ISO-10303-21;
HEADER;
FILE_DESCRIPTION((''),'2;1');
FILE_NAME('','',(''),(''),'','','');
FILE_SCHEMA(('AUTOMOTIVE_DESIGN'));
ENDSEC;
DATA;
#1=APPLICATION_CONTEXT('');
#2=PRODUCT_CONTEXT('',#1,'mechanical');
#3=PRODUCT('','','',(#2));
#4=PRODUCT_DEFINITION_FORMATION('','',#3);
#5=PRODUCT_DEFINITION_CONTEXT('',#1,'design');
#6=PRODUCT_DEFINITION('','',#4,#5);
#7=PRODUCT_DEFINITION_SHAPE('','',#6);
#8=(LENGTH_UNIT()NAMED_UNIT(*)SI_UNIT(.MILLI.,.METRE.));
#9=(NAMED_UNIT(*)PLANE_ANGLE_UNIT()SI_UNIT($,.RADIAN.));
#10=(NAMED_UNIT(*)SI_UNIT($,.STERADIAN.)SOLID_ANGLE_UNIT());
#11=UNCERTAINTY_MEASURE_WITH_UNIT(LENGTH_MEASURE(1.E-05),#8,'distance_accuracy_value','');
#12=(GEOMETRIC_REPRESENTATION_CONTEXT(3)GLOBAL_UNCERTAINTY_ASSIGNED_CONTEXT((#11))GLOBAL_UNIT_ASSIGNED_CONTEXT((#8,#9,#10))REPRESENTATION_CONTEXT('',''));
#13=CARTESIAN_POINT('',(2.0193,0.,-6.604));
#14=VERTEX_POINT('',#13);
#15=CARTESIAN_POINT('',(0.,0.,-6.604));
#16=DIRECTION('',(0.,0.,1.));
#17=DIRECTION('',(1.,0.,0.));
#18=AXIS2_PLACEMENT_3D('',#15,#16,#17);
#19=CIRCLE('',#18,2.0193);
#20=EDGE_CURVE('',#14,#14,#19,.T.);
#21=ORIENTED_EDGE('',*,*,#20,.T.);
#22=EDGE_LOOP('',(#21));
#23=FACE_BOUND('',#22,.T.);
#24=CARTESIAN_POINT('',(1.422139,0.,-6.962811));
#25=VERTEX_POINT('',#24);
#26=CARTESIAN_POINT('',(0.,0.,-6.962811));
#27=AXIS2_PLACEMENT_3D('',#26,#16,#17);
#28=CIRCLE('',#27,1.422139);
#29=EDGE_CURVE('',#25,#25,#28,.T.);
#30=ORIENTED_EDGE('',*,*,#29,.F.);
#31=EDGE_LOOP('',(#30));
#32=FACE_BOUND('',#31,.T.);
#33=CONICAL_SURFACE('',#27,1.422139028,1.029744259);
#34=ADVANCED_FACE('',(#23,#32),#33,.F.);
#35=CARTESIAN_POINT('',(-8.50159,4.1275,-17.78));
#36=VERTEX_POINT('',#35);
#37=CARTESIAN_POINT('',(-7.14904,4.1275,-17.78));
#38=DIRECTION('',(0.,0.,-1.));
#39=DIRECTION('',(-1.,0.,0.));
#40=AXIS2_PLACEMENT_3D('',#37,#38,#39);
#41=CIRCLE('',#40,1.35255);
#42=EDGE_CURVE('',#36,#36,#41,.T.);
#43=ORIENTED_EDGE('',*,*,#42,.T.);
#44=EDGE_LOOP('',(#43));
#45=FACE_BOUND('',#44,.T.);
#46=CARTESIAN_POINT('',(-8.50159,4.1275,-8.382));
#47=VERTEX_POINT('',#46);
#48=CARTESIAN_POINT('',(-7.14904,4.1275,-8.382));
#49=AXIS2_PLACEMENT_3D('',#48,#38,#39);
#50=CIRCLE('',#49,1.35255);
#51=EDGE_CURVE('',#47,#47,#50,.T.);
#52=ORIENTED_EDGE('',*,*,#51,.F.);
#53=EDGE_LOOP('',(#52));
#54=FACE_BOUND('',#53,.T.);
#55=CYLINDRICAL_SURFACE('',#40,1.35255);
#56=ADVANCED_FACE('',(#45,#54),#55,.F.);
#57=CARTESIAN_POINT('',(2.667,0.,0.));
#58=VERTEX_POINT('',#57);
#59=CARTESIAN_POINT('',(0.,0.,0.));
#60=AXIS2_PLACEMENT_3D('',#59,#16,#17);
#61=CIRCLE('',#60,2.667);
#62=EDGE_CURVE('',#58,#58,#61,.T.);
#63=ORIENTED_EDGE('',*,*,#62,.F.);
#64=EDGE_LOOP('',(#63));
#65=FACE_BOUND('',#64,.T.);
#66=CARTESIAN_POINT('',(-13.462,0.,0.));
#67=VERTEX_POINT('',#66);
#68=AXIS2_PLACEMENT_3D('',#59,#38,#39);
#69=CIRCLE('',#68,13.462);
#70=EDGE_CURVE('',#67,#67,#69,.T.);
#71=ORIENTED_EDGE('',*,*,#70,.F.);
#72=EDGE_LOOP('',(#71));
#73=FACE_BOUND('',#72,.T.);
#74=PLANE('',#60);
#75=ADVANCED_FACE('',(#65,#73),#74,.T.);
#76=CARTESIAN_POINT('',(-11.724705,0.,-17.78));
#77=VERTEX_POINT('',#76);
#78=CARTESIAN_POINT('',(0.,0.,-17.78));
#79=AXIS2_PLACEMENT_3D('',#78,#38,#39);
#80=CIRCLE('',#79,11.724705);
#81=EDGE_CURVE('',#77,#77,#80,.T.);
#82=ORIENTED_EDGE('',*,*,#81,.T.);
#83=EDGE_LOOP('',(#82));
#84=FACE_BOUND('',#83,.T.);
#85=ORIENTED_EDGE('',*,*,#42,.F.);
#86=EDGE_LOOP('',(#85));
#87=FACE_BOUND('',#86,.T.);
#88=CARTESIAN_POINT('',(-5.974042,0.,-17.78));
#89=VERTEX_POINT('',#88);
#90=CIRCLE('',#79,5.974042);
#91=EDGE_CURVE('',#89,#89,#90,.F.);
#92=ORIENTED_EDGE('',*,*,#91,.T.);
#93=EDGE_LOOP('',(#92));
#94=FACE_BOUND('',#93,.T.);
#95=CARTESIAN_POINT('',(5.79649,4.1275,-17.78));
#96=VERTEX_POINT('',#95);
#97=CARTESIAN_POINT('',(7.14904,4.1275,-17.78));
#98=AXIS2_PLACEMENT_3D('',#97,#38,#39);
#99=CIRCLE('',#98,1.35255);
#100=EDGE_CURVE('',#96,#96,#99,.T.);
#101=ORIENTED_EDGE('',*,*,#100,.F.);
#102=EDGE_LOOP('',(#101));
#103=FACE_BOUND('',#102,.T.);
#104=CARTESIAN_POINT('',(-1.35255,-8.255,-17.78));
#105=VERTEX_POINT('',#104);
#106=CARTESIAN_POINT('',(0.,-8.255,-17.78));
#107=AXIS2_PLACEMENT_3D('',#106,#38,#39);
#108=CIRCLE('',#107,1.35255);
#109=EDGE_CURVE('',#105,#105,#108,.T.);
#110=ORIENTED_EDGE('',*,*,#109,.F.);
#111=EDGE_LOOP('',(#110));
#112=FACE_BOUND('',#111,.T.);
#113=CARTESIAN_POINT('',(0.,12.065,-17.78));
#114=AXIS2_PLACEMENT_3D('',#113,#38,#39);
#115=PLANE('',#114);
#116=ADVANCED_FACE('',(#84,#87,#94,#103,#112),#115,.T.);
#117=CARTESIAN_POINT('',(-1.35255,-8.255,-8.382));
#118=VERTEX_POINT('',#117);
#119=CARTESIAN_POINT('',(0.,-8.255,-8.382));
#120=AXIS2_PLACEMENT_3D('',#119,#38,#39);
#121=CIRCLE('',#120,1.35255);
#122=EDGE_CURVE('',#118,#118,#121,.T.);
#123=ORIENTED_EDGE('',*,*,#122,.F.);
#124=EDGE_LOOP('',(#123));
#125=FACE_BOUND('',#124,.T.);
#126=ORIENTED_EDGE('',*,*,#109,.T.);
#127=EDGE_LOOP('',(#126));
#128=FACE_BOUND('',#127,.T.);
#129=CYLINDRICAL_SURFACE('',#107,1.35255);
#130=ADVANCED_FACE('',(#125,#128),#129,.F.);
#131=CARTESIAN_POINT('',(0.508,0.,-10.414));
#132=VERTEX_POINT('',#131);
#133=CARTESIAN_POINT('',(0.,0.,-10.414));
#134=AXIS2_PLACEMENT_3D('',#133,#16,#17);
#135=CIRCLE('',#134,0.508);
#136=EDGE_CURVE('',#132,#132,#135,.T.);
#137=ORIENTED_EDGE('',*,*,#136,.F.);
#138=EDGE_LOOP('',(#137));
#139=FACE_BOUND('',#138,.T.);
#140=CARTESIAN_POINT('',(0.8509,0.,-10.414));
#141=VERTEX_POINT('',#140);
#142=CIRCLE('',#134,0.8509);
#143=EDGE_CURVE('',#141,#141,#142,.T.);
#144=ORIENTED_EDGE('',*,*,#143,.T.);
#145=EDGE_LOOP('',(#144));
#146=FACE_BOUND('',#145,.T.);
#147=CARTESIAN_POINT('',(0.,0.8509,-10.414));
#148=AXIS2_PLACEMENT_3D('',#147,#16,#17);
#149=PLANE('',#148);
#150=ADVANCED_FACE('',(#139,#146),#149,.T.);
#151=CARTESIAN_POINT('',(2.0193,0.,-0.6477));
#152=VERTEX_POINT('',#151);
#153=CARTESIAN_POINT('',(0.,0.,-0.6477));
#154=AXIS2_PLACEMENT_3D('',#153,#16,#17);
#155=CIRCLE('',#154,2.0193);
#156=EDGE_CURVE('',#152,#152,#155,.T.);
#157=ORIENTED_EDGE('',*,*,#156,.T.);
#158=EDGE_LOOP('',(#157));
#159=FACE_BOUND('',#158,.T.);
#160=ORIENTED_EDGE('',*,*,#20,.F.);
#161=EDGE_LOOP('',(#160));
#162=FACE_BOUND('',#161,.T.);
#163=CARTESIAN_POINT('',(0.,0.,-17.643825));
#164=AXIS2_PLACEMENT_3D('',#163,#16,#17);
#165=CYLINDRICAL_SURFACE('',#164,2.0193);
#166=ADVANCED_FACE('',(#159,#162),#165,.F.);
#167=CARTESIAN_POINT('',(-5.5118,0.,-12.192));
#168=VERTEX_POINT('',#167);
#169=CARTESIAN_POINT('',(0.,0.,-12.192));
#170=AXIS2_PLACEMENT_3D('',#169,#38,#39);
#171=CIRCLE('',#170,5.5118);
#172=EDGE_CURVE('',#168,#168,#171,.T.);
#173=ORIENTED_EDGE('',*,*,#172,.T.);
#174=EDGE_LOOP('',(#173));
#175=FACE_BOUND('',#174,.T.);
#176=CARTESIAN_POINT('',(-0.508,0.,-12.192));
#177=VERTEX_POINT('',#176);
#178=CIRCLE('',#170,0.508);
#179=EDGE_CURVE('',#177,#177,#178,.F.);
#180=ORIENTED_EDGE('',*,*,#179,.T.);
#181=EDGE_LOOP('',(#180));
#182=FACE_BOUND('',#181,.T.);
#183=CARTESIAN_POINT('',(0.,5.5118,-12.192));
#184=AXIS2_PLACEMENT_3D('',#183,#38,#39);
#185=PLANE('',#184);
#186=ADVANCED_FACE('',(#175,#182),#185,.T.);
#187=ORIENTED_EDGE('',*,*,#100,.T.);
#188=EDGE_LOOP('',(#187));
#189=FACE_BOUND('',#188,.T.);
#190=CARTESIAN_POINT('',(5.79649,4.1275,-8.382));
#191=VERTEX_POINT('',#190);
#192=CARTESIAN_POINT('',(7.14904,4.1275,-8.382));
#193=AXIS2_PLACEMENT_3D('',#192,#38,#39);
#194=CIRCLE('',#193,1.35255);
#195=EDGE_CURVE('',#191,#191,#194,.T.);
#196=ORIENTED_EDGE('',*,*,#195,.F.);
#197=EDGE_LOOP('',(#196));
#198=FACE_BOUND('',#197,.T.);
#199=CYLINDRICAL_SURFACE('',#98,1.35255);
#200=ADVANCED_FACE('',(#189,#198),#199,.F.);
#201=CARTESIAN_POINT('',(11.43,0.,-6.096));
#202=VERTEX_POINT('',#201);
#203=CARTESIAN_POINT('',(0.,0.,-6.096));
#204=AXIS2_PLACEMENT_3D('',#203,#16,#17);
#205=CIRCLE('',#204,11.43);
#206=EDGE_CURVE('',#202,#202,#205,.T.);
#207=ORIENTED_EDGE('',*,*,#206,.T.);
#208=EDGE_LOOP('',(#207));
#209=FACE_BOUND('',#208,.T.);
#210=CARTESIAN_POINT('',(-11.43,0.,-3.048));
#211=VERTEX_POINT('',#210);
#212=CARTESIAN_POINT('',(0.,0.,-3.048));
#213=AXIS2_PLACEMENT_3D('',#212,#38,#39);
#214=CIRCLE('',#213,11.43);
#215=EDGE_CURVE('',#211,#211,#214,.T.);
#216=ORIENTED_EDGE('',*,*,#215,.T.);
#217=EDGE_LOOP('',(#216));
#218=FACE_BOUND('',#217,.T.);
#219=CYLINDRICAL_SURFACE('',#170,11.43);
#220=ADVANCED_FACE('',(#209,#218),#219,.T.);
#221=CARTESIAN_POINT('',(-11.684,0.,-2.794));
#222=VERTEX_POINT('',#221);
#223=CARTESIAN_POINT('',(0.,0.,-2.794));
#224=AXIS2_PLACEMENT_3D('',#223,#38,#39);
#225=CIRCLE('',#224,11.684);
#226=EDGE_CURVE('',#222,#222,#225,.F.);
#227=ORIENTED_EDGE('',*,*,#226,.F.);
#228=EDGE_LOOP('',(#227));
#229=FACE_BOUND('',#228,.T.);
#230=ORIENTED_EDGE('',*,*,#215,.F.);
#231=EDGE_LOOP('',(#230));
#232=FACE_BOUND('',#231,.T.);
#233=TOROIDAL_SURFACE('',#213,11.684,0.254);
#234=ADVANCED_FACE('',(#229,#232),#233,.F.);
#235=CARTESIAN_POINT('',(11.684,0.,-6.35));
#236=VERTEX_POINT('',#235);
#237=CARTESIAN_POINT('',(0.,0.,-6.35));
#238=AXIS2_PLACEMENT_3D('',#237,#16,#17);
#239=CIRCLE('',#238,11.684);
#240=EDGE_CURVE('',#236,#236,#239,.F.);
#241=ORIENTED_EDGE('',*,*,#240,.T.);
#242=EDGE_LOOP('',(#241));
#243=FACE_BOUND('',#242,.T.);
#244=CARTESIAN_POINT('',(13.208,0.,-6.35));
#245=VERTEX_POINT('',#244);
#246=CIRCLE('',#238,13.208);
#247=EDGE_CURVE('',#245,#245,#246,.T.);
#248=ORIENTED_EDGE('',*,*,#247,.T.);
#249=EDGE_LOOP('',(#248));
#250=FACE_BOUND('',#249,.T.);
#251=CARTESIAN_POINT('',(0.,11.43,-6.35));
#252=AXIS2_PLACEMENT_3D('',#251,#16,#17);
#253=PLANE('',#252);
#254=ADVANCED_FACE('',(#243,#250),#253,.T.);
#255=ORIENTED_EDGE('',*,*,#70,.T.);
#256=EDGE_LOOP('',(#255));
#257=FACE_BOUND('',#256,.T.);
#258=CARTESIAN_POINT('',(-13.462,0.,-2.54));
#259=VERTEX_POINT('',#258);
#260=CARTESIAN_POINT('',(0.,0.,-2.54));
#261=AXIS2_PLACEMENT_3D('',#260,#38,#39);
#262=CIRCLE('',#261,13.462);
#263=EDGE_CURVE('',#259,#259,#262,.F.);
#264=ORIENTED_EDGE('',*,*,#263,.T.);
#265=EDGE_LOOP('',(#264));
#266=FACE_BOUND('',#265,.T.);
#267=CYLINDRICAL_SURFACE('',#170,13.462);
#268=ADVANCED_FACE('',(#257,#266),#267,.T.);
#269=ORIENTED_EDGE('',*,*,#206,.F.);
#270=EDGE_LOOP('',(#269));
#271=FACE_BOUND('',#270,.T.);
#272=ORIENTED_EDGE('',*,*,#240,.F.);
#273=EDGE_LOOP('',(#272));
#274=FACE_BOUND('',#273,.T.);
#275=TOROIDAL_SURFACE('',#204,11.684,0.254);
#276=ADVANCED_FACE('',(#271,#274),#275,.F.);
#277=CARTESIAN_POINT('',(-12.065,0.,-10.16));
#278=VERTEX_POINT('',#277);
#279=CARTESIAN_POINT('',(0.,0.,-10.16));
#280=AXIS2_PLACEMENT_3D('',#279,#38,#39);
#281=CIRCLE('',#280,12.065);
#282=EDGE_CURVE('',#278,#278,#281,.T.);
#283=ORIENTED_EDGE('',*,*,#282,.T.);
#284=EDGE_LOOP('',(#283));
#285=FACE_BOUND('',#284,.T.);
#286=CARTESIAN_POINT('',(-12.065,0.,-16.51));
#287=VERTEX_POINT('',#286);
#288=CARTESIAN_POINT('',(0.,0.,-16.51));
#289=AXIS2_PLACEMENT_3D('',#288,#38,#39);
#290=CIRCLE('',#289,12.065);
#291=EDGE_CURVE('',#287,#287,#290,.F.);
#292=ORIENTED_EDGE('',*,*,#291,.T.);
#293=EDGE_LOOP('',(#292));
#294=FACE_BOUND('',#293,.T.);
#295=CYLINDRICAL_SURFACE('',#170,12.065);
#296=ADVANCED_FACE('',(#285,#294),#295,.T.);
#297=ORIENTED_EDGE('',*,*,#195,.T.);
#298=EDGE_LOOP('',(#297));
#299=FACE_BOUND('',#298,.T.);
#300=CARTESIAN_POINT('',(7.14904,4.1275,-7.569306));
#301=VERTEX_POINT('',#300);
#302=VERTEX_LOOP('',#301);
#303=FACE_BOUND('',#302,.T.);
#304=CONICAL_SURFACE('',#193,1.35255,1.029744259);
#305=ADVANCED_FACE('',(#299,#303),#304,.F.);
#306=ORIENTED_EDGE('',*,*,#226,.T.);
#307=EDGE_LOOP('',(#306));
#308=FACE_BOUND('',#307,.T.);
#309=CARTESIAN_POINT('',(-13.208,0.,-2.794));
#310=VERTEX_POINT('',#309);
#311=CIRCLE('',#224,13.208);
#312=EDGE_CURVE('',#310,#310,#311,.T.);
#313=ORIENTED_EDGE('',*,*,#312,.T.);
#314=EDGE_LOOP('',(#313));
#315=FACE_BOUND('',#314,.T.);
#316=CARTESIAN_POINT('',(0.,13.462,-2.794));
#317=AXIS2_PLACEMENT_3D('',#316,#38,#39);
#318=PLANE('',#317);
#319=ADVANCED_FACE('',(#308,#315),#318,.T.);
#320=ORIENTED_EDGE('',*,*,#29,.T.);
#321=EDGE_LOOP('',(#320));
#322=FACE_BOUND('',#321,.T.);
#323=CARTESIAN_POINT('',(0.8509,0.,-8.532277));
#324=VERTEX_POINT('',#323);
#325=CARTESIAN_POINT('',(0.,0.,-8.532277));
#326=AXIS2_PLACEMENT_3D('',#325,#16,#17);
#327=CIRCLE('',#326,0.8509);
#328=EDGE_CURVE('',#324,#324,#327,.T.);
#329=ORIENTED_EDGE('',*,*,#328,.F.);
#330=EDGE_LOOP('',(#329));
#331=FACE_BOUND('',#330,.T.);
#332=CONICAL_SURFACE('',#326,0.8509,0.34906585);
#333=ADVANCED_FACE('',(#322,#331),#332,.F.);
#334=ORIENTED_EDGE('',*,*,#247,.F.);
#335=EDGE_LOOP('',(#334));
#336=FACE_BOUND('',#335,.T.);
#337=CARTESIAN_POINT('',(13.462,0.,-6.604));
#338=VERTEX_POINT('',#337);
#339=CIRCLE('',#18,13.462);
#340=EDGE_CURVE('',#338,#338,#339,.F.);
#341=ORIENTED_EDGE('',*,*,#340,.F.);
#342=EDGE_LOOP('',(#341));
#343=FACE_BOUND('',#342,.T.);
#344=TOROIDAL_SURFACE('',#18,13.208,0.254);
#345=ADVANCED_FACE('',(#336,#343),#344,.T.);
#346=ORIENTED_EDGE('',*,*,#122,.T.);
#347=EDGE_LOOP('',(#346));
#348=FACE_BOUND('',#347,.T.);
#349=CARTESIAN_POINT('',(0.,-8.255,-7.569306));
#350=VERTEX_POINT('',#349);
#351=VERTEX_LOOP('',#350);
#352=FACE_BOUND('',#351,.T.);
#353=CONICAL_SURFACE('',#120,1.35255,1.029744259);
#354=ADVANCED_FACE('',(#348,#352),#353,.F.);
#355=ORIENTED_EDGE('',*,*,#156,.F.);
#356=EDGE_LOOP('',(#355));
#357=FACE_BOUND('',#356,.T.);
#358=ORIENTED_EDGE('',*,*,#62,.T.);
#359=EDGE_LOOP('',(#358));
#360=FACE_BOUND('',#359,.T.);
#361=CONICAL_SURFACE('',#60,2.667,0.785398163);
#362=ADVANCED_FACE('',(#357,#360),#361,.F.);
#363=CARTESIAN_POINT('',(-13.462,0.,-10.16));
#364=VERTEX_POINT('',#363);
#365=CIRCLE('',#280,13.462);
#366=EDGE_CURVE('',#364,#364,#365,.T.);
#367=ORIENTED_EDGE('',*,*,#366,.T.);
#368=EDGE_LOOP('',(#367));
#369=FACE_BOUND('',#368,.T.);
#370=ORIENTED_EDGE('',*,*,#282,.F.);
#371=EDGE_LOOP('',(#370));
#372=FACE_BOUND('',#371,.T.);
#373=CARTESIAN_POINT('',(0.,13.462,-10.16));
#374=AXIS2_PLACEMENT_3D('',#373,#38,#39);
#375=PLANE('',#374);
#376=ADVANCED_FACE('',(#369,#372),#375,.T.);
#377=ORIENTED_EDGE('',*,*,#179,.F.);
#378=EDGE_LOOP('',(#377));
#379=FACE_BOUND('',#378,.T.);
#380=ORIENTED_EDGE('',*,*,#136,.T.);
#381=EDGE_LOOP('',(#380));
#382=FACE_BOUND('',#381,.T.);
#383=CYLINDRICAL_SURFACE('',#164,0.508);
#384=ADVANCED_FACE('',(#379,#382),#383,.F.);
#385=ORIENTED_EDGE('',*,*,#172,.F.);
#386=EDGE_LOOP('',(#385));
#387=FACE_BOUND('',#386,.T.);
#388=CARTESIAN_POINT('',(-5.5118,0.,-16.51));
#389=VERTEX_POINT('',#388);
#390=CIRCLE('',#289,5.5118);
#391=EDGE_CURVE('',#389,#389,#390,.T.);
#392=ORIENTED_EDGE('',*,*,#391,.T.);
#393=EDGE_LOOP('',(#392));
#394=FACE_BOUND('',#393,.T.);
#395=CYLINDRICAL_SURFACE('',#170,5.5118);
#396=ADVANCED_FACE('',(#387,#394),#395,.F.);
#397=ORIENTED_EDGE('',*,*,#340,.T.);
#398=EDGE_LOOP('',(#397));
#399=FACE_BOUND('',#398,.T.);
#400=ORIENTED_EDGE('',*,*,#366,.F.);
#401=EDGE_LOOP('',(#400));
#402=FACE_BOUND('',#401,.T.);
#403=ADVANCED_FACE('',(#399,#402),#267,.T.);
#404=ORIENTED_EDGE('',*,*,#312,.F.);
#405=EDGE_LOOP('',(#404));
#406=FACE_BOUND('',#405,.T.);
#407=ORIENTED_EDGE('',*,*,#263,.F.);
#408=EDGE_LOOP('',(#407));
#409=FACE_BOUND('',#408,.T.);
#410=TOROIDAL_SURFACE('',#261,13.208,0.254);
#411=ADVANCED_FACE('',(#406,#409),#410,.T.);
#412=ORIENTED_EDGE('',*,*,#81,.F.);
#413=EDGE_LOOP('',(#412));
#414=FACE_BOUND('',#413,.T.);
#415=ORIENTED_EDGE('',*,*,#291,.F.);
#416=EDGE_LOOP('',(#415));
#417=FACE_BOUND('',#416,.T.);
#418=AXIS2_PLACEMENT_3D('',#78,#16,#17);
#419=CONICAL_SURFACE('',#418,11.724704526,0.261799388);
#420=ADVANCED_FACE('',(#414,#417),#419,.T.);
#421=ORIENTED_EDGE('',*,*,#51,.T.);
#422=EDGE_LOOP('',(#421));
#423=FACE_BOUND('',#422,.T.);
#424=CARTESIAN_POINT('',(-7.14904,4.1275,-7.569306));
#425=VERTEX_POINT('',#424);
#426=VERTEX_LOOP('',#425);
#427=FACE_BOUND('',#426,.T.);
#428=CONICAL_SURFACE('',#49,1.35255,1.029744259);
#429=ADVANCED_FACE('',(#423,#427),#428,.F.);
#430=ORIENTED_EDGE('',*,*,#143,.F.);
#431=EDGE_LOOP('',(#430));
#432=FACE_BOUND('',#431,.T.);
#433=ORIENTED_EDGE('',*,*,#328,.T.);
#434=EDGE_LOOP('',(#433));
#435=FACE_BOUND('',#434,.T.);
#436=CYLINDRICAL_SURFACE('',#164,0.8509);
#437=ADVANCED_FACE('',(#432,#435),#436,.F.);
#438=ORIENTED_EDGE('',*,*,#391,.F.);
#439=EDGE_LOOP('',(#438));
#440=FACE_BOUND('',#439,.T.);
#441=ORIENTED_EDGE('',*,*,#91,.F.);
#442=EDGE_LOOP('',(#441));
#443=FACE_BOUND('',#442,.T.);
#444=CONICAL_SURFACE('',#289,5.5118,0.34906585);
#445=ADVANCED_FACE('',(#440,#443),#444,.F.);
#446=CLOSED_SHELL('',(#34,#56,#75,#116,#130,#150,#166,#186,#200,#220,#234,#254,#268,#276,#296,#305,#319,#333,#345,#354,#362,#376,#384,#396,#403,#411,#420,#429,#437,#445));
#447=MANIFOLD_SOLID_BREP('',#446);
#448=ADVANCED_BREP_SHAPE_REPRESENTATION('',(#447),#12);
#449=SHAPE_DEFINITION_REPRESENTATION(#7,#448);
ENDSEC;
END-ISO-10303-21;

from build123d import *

# Parameters (mm, degrees)
F_6_32_TAPPED_HOLE1_D            = 2.7051
F_6_32_TAPPED_HOLE1_DEPTH        = 9.398
F_6_32_TAPPED_HOLE1_TIP          = 0.81269403
CHAMFER1_SIZE                    = 1.27
CHAMFER1_SIZE2                   = 0.462242198
F_10_32_TAPPED_HOLE2_D           = 4.0386
F_10_32_TAPPED_HOLE2_DEPTH       = 5.9944
F_10_32_TAPPED_HOLE2_CSINK_D     = 5.334
F_10_32_TAPPED_HOLE2_CSINK_ANGLE = 90
F_10_32_TAPPED_HOLE2_TIP         = 1.213317848
FILLET1_R                        = 0.254
CHAMFER2_SIZE                    = 1.27
CHAMFER2_SIZE2                   = 0.340295474


with BuildPart() as part:
    # Sketch1 → Revolve1 (revolve)
    with BuildSketch(Plane(origin=(0, 0, 0), x_dir=(0, 0, -1), z_dir=(1, 0, 0)), mode=Mode.PRIVATE) as revolve1_sk:
        Polygon((0, 0), (0, 13.462), (2.794, 13.462), (2.794, 11.43), (6.35, 11.43), (6.35, 13.462), (10.16, 13.462), (10.16, 12.065), (17.78, 12.065), (17.78, 5.5118), (12.192, 5.5118), (12.192, 0), align=None)
    revolve(revolve1_sk.sketch.rotate(Axis((0, 0, -12.192), (0, 0, 1)), 90), axis=Axis((0, 0, -12.192), (0, 0, 1)))

    # #6-32 Tapped Hole1
    with Locations(Plane(origin=(4.52225484, 6.077033904, -17.78), x_dir=(-1, 0, 0), z_dir=(0, 0, -1))):
        with Locations((-2.626784868, -1.949533904), (4.52225484, -14.332033904), (11.671294548, -1.949533904)):
            Hole(F_6_32_TAPPED_HOLE1_D / 2, depth=F_6_32_TAPPED_HOLE1_DEPTH)
            with Locations((0, 0, -(F_6_32_TAPPED_HOLE1_DEPTH + F_6_32_TAPPED_HOLE1_TIP / 2))):  # 118° drill point
                Cone(0, F_6_32_TAPPED_HOLE1_D / 2, F_6_32_TAPPED_HOLE1_TIP, mode=Mode.SUBTRACT)

    # Chamfer1
    chamfer1_edges = [part.edges().sort_by_distance(p)[0] for p in [
        (5.5118, 0, -17.78),
    ]]
    chamfer1_side = [part.faces().sort_by_distance(p)[0] for p in [
        (5.5118, 0, -14.986),
    ]]
    chamfer(chamfer1_edges, length=CHAMFER1_SIZE, length2=CHAMFER1_SIZE2, reference=chamfer1_side[0])

    # Sketch15 → Church tap on CL (revolve, cut)
    with BuildSketch(Plane(origin=(0, 0, 0), x_dir=(0, 0, -1), z_dir=(1, 0, 0)), mode=Mode.PRIVATE) as church_tap_on_cl_sk:
        Polygon((10.414, 0.508), (17.78, 0.508), (17.78, 0), (0, 0), (0, 2.0193), (6.604, 2.0193), (6.962810512, 1.422139028), (8.532276841, 0.8509), (10.414, 0.8509), align=None)
    revolve(church_tap_on_cl_sk.sketch.rotate(Axis((0, 0, -17.643825074), (0, 0, -1)), 90), axis=Axis((0, 0, -17.643825074), (0, 0, -1)), mode=Mode.SUBTRACT)

    # #10-32 Tapped Hole2
    with Locations(Plane.XY):
        with Locations((0, 0)):
            CounterSinkHole(F_10_32_TAPPED_HOLE2_D / 2, F_10_32_TAPPED_HOLE2_CSINK_D / 2, depth=F_10_32_TAPPED_HOLE2_DEPTH, counter_sink_angle=F_10_32_TAPPED_HOLE2_CSINK_ANGLE)
            with Locations((0, 0, -(F_10_32_TAPPED_HOLE2_DEPTH + F_10_32_TAPPED_HOLE2_TIP / 2))):  # 118° drill point
                Cone(0, F_10_32_TAPPED_HOLE2_D / 2, F_10_32_TAPPED_HOLE2_TIP, mode=Mode.SUBTRACT)

    # Fillet1
    fillet1_edges = [part.edges().sort_by_distance(p)[0] for p in [
        (11.43, 0, -2.794),
        (13.462, 0, -2.794),
        (13.462, 0, -6.35),
        (11.43, 0, -6.35),
    ]]
    fillet(fillet1_edges, radius=FILLET1_R)

    # Chamfer2
    chamfer2_edges = [part.edges().sort_by_distance(p)[0] for p in [
        (12.065, 0, -17.78),
    ]]
    chamfer2_side = [part.faces().sort_by_distance(p)[0] for p in [
        (12.065, 0, -13.97),
    ]]
    chamfer(chamfer2_edges, length=CHAMFER2_SIZE, length2=CHAMFER2_SIZE2, reference=chamfer2_side[0])


solid = part.part
